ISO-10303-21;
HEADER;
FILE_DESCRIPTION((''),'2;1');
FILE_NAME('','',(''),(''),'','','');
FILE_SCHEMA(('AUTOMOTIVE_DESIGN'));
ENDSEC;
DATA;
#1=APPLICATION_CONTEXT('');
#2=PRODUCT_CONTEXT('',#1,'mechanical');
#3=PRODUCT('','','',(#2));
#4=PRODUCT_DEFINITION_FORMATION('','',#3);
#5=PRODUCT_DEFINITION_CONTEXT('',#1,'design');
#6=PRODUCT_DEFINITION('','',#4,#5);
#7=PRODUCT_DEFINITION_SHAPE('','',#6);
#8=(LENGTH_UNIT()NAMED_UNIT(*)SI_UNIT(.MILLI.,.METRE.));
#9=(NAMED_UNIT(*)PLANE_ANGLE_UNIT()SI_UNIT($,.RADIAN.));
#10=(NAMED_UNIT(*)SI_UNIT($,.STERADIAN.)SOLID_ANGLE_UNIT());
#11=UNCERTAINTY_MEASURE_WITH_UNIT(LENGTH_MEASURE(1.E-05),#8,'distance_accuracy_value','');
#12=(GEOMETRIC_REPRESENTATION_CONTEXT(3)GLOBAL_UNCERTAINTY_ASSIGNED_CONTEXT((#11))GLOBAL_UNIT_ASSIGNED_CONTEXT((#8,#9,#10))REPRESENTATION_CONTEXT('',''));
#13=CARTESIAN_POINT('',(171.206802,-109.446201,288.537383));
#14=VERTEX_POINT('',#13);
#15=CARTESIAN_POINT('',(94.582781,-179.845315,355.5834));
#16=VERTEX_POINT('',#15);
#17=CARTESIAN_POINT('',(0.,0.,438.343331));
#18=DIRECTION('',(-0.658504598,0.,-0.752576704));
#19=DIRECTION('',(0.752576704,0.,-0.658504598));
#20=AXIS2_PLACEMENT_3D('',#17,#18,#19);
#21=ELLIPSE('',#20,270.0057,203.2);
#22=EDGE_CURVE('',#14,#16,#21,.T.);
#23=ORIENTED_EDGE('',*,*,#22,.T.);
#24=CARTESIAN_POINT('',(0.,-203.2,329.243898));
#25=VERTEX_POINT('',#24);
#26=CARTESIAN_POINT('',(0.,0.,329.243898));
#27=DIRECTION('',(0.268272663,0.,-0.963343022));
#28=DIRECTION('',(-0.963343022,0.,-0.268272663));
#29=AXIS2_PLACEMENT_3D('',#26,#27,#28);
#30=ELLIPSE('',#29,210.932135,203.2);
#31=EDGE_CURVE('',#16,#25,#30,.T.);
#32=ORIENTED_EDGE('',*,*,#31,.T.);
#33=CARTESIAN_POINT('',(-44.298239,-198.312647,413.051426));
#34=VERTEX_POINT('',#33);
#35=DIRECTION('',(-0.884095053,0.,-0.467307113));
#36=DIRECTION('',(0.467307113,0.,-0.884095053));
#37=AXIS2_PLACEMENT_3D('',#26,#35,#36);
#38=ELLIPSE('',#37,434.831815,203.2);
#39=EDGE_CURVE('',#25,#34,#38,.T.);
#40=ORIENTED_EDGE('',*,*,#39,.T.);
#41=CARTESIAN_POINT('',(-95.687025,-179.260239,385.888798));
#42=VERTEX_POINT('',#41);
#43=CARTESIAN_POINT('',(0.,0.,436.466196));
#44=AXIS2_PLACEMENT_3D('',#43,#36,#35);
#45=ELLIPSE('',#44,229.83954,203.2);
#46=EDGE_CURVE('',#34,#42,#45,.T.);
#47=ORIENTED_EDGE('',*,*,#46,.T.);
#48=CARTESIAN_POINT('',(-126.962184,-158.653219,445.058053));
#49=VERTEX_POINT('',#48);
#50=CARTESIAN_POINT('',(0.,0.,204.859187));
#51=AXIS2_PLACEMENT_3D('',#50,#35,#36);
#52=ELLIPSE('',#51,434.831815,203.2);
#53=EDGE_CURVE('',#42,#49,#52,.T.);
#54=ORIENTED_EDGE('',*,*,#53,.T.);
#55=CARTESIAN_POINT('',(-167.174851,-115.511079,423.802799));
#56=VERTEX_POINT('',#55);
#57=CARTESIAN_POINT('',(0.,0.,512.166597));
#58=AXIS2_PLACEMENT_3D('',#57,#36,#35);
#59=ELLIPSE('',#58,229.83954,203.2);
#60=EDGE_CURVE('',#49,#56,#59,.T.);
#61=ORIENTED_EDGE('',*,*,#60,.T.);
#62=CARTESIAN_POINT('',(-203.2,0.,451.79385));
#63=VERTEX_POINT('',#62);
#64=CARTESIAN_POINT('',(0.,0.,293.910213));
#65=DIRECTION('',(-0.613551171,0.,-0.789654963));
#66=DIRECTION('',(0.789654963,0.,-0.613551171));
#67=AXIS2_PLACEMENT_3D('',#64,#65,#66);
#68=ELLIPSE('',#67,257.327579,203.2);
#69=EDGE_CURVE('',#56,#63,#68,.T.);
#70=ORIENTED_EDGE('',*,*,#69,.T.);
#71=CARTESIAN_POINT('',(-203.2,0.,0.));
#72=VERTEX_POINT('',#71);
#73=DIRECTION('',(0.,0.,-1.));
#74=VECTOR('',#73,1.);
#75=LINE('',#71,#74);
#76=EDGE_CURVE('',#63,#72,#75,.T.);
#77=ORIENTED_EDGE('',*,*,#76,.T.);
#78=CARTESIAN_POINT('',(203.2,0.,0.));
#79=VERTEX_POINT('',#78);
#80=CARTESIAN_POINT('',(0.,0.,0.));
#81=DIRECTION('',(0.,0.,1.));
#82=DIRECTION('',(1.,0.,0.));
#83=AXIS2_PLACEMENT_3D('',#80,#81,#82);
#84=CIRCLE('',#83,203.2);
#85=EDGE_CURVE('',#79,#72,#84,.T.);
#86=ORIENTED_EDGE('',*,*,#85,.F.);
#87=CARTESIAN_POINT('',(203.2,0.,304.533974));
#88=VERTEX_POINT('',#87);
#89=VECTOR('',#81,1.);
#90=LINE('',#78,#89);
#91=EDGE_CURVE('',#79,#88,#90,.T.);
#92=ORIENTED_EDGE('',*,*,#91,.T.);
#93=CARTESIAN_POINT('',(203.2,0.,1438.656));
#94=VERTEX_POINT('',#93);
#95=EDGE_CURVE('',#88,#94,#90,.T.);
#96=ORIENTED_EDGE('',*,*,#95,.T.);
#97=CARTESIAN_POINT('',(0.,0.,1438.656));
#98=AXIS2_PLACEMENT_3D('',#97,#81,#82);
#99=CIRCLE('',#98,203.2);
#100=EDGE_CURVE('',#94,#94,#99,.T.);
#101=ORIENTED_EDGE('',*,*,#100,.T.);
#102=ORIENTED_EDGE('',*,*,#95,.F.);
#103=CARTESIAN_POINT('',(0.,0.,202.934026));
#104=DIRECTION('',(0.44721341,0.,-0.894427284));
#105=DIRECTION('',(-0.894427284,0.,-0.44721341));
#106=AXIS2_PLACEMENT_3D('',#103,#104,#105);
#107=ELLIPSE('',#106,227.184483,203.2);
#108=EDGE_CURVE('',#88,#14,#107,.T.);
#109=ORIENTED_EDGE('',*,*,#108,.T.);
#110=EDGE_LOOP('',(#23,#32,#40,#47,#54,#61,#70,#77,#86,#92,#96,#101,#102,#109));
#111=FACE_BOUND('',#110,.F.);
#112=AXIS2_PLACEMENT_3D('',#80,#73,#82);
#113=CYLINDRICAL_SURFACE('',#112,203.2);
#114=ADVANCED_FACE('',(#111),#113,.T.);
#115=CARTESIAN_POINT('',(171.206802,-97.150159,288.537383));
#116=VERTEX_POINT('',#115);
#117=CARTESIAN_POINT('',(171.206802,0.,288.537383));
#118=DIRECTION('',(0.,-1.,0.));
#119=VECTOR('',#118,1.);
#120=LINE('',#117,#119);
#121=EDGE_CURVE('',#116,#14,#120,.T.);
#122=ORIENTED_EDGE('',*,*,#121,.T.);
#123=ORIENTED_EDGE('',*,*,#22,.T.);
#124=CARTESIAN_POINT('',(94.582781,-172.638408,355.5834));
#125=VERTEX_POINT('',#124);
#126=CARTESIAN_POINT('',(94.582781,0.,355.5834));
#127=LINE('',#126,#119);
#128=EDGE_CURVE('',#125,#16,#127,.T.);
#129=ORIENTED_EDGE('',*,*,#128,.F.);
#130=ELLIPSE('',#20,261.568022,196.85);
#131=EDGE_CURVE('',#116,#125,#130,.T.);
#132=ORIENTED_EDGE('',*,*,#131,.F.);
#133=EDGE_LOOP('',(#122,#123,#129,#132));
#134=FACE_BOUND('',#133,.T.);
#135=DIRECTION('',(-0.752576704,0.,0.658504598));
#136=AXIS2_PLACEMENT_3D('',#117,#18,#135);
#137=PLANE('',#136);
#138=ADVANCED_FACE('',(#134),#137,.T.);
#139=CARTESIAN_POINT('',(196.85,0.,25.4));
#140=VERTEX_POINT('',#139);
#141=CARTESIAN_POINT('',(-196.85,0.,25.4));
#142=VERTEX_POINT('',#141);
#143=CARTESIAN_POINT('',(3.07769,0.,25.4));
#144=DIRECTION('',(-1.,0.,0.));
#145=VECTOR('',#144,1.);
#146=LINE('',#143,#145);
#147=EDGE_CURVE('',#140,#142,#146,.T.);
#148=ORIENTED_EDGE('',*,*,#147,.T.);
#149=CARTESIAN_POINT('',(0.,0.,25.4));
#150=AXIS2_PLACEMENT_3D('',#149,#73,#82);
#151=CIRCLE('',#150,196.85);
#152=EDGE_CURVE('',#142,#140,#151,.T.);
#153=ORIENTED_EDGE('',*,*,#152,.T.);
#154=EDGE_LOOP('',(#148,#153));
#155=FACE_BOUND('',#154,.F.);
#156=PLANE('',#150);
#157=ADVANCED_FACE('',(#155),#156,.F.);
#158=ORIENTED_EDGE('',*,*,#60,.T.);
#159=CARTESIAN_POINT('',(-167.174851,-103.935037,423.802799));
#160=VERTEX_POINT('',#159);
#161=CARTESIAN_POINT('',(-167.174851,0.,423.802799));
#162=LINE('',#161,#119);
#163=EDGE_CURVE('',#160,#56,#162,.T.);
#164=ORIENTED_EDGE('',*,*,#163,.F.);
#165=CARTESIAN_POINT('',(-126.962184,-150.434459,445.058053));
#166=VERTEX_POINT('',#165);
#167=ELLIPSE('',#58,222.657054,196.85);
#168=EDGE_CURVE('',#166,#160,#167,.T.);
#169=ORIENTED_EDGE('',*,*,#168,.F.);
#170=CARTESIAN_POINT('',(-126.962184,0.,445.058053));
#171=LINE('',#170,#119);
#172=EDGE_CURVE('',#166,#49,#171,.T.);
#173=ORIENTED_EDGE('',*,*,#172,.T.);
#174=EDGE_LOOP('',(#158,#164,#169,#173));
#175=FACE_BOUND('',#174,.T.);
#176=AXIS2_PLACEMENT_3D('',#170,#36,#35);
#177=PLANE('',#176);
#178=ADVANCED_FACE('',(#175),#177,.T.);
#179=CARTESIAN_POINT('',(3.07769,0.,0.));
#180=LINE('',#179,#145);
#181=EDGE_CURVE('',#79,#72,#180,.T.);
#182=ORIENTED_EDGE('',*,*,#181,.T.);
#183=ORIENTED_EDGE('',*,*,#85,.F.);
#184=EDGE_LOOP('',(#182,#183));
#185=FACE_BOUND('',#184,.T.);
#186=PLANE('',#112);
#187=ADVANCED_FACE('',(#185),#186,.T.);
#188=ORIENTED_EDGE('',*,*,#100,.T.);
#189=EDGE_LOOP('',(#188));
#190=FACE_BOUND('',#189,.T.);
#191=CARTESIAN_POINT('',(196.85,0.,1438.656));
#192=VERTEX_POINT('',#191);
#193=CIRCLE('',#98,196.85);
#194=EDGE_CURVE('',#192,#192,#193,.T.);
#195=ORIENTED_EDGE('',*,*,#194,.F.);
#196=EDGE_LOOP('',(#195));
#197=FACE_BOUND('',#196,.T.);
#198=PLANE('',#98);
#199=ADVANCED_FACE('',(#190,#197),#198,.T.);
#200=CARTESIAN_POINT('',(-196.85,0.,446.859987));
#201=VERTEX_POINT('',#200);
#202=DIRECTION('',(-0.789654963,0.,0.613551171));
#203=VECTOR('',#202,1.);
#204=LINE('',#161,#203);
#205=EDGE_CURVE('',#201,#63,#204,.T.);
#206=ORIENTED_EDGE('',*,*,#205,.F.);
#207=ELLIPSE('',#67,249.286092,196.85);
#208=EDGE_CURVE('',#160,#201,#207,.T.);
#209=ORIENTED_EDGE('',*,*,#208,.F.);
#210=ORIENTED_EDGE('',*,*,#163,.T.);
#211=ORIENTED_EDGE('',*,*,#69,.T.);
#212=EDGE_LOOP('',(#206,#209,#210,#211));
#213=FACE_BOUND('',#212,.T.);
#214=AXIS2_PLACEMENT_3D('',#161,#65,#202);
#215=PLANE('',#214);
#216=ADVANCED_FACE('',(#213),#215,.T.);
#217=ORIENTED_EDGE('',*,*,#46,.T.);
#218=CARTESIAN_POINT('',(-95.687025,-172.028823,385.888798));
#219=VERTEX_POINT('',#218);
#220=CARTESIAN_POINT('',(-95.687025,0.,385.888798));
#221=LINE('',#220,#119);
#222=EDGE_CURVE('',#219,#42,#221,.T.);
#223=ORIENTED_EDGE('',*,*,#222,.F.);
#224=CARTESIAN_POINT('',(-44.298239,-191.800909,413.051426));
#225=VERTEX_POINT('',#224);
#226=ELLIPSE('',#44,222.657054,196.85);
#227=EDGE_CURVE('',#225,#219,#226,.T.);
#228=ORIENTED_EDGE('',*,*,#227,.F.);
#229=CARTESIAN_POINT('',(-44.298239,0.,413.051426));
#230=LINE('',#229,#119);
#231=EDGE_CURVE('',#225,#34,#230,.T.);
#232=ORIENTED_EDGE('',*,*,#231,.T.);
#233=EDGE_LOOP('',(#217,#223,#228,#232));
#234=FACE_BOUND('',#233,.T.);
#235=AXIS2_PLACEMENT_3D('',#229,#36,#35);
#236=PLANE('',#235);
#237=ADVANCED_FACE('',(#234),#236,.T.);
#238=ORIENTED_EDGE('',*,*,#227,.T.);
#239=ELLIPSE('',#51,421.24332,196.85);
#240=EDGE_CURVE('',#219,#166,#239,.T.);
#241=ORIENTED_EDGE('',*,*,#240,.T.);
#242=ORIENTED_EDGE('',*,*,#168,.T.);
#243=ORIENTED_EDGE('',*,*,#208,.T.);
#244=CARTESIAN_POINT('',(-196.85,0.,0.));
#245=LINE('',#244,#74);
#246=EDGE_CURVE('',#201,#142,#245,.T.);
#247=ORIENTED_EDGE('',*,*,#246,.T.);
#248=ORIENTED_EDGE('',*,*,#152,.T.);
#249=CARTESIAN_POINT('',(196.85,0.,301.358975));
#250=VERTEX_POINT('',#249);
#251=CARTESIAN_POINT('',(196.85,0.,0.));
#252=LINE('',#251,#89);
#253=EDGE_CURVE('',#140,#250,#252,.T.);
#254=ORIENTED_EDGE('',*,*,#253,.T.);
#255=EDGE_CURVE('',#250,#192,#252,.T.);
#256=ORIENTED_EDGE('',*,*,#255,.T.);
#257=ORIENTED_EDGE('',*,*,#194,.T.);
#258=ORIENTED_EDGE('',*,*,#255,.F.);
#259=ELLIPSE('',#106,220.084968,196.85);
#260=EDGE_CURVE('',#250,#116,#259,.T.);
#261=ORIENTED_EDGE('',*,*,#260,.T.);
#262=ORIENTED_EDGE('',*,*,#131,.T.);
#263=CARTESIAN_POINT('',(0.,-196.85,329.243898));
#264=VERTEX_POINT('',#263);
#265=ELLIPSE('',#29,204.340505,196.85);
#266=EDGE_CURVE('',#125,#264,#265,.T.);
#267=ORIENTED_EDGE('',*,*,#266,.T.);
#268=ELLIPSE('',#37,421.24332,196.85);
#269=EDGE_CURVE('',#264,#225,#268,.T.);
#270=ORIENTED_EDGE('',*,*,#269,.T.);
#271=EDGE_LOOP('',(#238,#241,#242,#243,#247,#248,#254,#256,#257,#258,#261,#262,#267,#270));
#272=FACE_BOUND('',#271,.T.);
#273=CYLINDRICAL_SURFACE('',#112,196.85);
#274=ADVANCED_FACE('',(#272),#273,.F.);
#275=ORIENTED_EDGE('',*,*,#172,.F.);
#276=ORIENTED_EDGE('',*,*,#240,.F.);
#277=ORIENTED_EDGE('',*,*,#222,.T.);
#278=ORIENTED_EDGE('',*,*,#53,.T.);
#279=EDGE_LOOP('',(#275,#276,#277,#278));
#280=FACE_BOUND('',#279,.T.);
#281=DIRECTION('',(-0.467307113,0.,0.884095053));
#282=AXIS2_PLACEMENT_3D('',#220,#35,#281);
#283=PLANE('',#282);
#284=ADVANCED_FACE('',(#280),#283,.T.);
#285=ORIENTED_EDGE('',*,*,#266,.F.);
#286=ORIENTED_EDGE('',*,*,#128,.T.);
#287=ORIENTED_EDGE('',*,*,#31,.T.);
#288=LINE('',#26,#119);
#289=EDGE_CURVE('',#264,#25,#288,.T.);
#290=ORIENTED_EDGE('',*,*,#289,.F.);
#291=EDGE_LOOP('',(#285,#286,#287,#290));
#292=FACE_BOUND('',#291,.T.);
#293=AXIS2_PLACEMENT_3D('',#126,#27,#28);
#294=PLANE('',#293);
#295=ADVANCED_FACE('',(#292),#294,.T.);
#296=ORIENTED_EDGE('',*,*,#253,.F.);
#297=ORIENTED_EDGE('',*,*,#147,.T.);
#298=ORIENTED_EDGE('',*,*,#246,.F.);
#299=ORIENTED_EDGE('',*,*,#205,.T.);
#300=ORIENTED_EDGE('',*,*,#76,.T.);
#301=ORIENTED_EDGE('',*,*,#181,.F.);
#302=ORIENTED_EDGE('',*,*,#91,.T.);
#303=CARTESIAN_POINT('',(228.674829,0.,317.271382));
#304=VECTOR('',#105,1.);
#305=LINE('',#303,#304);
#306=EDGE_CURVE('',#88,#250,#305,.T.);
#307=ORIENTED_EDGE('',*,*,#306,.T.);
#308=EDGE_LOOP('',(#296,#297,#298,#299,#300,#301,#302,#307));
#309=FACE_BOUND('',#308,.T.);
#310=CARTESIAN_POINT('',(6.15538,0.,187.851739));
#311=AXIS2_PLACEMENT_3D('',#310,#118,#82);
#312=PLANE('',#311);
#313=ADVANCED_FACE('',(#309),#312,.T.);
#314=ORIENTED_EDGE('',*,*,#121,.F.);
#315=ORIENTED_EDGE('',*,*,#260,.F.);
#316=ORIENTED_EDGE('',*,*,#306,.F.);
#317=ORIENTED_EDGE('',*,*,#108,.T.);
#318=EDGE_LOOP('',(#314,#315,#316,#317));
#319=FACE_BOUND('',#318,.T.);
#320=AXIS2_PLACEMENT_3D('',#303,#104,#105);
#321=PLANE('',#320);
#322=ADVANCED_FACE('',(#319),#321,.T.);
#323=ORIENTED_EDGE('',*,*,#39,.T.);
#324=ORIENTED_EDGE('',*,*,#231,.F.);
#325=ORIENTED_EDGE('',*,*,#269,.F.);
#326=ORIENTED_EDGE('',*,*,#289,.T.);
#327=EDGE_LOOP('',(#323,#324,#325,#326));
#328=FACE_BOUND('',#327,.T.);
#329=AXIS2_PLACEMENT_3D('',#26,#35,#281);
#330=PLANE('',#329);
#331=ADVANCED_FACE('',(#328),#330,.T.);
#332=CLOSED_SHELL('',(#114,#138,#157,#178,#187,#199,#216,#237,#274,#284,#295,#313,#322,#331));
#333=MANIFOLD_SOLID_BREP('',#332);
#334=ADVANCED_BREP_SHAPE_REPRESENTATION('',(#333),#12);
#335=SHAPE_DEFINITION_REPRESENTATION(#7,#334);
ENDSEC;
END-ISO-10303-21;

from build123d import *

# Parameters (mm, degrees)
F0_R     = 203.2
F0_R_2   = 196.85
F1_DEPTH = 1438.656
F2_R     = 196.85
F3_DEPTH = 25.4
F5_DEPTH = 508


with BuildPart() as f1:
    # F0 (on Top) → F1 (new body)
    with BuildSketch(Plane.XY):
        Circle(F0_R)
        Circle(F0_R_2, mode=Mode.SUBTRACT)
    extrude(amount=F1_DEPTH)

    # F2 (on face) → F3 (join)
    with BuildSketch(Plane(origin=(0, 0, 0), x_dir=(1, 0, 0), z_dir=(0, 0, -1))):
        Circle(F2_R)
    extrude(amount=-F3_DEPTH)

    # F4 (on Front) → F5 (cut)
    with BuildSketch(Plane.XZ):
        Polygon((-233.4638088942, 475.3084182739), (-262.1978223324, -27.536733076), (319.6658492088, -27.536733076), (319.6658492088, 288.5373830795), (228.6748290062, 317.2713816166), (171.2068021297, 288.5373830795), (94.5827811956, 355.5833995342), (0, 329.2438983917), (-44.2982390523, 413.0514264107), (-95.6870245125, 385.8887984614), (-126.9621838043, 445.0580531478), (-167.1748505567, 423.8027987949), align=None)
    extrude(amount=F5_DEPTH, mode=Mode.SUBTRACT)


solid = f1.part
